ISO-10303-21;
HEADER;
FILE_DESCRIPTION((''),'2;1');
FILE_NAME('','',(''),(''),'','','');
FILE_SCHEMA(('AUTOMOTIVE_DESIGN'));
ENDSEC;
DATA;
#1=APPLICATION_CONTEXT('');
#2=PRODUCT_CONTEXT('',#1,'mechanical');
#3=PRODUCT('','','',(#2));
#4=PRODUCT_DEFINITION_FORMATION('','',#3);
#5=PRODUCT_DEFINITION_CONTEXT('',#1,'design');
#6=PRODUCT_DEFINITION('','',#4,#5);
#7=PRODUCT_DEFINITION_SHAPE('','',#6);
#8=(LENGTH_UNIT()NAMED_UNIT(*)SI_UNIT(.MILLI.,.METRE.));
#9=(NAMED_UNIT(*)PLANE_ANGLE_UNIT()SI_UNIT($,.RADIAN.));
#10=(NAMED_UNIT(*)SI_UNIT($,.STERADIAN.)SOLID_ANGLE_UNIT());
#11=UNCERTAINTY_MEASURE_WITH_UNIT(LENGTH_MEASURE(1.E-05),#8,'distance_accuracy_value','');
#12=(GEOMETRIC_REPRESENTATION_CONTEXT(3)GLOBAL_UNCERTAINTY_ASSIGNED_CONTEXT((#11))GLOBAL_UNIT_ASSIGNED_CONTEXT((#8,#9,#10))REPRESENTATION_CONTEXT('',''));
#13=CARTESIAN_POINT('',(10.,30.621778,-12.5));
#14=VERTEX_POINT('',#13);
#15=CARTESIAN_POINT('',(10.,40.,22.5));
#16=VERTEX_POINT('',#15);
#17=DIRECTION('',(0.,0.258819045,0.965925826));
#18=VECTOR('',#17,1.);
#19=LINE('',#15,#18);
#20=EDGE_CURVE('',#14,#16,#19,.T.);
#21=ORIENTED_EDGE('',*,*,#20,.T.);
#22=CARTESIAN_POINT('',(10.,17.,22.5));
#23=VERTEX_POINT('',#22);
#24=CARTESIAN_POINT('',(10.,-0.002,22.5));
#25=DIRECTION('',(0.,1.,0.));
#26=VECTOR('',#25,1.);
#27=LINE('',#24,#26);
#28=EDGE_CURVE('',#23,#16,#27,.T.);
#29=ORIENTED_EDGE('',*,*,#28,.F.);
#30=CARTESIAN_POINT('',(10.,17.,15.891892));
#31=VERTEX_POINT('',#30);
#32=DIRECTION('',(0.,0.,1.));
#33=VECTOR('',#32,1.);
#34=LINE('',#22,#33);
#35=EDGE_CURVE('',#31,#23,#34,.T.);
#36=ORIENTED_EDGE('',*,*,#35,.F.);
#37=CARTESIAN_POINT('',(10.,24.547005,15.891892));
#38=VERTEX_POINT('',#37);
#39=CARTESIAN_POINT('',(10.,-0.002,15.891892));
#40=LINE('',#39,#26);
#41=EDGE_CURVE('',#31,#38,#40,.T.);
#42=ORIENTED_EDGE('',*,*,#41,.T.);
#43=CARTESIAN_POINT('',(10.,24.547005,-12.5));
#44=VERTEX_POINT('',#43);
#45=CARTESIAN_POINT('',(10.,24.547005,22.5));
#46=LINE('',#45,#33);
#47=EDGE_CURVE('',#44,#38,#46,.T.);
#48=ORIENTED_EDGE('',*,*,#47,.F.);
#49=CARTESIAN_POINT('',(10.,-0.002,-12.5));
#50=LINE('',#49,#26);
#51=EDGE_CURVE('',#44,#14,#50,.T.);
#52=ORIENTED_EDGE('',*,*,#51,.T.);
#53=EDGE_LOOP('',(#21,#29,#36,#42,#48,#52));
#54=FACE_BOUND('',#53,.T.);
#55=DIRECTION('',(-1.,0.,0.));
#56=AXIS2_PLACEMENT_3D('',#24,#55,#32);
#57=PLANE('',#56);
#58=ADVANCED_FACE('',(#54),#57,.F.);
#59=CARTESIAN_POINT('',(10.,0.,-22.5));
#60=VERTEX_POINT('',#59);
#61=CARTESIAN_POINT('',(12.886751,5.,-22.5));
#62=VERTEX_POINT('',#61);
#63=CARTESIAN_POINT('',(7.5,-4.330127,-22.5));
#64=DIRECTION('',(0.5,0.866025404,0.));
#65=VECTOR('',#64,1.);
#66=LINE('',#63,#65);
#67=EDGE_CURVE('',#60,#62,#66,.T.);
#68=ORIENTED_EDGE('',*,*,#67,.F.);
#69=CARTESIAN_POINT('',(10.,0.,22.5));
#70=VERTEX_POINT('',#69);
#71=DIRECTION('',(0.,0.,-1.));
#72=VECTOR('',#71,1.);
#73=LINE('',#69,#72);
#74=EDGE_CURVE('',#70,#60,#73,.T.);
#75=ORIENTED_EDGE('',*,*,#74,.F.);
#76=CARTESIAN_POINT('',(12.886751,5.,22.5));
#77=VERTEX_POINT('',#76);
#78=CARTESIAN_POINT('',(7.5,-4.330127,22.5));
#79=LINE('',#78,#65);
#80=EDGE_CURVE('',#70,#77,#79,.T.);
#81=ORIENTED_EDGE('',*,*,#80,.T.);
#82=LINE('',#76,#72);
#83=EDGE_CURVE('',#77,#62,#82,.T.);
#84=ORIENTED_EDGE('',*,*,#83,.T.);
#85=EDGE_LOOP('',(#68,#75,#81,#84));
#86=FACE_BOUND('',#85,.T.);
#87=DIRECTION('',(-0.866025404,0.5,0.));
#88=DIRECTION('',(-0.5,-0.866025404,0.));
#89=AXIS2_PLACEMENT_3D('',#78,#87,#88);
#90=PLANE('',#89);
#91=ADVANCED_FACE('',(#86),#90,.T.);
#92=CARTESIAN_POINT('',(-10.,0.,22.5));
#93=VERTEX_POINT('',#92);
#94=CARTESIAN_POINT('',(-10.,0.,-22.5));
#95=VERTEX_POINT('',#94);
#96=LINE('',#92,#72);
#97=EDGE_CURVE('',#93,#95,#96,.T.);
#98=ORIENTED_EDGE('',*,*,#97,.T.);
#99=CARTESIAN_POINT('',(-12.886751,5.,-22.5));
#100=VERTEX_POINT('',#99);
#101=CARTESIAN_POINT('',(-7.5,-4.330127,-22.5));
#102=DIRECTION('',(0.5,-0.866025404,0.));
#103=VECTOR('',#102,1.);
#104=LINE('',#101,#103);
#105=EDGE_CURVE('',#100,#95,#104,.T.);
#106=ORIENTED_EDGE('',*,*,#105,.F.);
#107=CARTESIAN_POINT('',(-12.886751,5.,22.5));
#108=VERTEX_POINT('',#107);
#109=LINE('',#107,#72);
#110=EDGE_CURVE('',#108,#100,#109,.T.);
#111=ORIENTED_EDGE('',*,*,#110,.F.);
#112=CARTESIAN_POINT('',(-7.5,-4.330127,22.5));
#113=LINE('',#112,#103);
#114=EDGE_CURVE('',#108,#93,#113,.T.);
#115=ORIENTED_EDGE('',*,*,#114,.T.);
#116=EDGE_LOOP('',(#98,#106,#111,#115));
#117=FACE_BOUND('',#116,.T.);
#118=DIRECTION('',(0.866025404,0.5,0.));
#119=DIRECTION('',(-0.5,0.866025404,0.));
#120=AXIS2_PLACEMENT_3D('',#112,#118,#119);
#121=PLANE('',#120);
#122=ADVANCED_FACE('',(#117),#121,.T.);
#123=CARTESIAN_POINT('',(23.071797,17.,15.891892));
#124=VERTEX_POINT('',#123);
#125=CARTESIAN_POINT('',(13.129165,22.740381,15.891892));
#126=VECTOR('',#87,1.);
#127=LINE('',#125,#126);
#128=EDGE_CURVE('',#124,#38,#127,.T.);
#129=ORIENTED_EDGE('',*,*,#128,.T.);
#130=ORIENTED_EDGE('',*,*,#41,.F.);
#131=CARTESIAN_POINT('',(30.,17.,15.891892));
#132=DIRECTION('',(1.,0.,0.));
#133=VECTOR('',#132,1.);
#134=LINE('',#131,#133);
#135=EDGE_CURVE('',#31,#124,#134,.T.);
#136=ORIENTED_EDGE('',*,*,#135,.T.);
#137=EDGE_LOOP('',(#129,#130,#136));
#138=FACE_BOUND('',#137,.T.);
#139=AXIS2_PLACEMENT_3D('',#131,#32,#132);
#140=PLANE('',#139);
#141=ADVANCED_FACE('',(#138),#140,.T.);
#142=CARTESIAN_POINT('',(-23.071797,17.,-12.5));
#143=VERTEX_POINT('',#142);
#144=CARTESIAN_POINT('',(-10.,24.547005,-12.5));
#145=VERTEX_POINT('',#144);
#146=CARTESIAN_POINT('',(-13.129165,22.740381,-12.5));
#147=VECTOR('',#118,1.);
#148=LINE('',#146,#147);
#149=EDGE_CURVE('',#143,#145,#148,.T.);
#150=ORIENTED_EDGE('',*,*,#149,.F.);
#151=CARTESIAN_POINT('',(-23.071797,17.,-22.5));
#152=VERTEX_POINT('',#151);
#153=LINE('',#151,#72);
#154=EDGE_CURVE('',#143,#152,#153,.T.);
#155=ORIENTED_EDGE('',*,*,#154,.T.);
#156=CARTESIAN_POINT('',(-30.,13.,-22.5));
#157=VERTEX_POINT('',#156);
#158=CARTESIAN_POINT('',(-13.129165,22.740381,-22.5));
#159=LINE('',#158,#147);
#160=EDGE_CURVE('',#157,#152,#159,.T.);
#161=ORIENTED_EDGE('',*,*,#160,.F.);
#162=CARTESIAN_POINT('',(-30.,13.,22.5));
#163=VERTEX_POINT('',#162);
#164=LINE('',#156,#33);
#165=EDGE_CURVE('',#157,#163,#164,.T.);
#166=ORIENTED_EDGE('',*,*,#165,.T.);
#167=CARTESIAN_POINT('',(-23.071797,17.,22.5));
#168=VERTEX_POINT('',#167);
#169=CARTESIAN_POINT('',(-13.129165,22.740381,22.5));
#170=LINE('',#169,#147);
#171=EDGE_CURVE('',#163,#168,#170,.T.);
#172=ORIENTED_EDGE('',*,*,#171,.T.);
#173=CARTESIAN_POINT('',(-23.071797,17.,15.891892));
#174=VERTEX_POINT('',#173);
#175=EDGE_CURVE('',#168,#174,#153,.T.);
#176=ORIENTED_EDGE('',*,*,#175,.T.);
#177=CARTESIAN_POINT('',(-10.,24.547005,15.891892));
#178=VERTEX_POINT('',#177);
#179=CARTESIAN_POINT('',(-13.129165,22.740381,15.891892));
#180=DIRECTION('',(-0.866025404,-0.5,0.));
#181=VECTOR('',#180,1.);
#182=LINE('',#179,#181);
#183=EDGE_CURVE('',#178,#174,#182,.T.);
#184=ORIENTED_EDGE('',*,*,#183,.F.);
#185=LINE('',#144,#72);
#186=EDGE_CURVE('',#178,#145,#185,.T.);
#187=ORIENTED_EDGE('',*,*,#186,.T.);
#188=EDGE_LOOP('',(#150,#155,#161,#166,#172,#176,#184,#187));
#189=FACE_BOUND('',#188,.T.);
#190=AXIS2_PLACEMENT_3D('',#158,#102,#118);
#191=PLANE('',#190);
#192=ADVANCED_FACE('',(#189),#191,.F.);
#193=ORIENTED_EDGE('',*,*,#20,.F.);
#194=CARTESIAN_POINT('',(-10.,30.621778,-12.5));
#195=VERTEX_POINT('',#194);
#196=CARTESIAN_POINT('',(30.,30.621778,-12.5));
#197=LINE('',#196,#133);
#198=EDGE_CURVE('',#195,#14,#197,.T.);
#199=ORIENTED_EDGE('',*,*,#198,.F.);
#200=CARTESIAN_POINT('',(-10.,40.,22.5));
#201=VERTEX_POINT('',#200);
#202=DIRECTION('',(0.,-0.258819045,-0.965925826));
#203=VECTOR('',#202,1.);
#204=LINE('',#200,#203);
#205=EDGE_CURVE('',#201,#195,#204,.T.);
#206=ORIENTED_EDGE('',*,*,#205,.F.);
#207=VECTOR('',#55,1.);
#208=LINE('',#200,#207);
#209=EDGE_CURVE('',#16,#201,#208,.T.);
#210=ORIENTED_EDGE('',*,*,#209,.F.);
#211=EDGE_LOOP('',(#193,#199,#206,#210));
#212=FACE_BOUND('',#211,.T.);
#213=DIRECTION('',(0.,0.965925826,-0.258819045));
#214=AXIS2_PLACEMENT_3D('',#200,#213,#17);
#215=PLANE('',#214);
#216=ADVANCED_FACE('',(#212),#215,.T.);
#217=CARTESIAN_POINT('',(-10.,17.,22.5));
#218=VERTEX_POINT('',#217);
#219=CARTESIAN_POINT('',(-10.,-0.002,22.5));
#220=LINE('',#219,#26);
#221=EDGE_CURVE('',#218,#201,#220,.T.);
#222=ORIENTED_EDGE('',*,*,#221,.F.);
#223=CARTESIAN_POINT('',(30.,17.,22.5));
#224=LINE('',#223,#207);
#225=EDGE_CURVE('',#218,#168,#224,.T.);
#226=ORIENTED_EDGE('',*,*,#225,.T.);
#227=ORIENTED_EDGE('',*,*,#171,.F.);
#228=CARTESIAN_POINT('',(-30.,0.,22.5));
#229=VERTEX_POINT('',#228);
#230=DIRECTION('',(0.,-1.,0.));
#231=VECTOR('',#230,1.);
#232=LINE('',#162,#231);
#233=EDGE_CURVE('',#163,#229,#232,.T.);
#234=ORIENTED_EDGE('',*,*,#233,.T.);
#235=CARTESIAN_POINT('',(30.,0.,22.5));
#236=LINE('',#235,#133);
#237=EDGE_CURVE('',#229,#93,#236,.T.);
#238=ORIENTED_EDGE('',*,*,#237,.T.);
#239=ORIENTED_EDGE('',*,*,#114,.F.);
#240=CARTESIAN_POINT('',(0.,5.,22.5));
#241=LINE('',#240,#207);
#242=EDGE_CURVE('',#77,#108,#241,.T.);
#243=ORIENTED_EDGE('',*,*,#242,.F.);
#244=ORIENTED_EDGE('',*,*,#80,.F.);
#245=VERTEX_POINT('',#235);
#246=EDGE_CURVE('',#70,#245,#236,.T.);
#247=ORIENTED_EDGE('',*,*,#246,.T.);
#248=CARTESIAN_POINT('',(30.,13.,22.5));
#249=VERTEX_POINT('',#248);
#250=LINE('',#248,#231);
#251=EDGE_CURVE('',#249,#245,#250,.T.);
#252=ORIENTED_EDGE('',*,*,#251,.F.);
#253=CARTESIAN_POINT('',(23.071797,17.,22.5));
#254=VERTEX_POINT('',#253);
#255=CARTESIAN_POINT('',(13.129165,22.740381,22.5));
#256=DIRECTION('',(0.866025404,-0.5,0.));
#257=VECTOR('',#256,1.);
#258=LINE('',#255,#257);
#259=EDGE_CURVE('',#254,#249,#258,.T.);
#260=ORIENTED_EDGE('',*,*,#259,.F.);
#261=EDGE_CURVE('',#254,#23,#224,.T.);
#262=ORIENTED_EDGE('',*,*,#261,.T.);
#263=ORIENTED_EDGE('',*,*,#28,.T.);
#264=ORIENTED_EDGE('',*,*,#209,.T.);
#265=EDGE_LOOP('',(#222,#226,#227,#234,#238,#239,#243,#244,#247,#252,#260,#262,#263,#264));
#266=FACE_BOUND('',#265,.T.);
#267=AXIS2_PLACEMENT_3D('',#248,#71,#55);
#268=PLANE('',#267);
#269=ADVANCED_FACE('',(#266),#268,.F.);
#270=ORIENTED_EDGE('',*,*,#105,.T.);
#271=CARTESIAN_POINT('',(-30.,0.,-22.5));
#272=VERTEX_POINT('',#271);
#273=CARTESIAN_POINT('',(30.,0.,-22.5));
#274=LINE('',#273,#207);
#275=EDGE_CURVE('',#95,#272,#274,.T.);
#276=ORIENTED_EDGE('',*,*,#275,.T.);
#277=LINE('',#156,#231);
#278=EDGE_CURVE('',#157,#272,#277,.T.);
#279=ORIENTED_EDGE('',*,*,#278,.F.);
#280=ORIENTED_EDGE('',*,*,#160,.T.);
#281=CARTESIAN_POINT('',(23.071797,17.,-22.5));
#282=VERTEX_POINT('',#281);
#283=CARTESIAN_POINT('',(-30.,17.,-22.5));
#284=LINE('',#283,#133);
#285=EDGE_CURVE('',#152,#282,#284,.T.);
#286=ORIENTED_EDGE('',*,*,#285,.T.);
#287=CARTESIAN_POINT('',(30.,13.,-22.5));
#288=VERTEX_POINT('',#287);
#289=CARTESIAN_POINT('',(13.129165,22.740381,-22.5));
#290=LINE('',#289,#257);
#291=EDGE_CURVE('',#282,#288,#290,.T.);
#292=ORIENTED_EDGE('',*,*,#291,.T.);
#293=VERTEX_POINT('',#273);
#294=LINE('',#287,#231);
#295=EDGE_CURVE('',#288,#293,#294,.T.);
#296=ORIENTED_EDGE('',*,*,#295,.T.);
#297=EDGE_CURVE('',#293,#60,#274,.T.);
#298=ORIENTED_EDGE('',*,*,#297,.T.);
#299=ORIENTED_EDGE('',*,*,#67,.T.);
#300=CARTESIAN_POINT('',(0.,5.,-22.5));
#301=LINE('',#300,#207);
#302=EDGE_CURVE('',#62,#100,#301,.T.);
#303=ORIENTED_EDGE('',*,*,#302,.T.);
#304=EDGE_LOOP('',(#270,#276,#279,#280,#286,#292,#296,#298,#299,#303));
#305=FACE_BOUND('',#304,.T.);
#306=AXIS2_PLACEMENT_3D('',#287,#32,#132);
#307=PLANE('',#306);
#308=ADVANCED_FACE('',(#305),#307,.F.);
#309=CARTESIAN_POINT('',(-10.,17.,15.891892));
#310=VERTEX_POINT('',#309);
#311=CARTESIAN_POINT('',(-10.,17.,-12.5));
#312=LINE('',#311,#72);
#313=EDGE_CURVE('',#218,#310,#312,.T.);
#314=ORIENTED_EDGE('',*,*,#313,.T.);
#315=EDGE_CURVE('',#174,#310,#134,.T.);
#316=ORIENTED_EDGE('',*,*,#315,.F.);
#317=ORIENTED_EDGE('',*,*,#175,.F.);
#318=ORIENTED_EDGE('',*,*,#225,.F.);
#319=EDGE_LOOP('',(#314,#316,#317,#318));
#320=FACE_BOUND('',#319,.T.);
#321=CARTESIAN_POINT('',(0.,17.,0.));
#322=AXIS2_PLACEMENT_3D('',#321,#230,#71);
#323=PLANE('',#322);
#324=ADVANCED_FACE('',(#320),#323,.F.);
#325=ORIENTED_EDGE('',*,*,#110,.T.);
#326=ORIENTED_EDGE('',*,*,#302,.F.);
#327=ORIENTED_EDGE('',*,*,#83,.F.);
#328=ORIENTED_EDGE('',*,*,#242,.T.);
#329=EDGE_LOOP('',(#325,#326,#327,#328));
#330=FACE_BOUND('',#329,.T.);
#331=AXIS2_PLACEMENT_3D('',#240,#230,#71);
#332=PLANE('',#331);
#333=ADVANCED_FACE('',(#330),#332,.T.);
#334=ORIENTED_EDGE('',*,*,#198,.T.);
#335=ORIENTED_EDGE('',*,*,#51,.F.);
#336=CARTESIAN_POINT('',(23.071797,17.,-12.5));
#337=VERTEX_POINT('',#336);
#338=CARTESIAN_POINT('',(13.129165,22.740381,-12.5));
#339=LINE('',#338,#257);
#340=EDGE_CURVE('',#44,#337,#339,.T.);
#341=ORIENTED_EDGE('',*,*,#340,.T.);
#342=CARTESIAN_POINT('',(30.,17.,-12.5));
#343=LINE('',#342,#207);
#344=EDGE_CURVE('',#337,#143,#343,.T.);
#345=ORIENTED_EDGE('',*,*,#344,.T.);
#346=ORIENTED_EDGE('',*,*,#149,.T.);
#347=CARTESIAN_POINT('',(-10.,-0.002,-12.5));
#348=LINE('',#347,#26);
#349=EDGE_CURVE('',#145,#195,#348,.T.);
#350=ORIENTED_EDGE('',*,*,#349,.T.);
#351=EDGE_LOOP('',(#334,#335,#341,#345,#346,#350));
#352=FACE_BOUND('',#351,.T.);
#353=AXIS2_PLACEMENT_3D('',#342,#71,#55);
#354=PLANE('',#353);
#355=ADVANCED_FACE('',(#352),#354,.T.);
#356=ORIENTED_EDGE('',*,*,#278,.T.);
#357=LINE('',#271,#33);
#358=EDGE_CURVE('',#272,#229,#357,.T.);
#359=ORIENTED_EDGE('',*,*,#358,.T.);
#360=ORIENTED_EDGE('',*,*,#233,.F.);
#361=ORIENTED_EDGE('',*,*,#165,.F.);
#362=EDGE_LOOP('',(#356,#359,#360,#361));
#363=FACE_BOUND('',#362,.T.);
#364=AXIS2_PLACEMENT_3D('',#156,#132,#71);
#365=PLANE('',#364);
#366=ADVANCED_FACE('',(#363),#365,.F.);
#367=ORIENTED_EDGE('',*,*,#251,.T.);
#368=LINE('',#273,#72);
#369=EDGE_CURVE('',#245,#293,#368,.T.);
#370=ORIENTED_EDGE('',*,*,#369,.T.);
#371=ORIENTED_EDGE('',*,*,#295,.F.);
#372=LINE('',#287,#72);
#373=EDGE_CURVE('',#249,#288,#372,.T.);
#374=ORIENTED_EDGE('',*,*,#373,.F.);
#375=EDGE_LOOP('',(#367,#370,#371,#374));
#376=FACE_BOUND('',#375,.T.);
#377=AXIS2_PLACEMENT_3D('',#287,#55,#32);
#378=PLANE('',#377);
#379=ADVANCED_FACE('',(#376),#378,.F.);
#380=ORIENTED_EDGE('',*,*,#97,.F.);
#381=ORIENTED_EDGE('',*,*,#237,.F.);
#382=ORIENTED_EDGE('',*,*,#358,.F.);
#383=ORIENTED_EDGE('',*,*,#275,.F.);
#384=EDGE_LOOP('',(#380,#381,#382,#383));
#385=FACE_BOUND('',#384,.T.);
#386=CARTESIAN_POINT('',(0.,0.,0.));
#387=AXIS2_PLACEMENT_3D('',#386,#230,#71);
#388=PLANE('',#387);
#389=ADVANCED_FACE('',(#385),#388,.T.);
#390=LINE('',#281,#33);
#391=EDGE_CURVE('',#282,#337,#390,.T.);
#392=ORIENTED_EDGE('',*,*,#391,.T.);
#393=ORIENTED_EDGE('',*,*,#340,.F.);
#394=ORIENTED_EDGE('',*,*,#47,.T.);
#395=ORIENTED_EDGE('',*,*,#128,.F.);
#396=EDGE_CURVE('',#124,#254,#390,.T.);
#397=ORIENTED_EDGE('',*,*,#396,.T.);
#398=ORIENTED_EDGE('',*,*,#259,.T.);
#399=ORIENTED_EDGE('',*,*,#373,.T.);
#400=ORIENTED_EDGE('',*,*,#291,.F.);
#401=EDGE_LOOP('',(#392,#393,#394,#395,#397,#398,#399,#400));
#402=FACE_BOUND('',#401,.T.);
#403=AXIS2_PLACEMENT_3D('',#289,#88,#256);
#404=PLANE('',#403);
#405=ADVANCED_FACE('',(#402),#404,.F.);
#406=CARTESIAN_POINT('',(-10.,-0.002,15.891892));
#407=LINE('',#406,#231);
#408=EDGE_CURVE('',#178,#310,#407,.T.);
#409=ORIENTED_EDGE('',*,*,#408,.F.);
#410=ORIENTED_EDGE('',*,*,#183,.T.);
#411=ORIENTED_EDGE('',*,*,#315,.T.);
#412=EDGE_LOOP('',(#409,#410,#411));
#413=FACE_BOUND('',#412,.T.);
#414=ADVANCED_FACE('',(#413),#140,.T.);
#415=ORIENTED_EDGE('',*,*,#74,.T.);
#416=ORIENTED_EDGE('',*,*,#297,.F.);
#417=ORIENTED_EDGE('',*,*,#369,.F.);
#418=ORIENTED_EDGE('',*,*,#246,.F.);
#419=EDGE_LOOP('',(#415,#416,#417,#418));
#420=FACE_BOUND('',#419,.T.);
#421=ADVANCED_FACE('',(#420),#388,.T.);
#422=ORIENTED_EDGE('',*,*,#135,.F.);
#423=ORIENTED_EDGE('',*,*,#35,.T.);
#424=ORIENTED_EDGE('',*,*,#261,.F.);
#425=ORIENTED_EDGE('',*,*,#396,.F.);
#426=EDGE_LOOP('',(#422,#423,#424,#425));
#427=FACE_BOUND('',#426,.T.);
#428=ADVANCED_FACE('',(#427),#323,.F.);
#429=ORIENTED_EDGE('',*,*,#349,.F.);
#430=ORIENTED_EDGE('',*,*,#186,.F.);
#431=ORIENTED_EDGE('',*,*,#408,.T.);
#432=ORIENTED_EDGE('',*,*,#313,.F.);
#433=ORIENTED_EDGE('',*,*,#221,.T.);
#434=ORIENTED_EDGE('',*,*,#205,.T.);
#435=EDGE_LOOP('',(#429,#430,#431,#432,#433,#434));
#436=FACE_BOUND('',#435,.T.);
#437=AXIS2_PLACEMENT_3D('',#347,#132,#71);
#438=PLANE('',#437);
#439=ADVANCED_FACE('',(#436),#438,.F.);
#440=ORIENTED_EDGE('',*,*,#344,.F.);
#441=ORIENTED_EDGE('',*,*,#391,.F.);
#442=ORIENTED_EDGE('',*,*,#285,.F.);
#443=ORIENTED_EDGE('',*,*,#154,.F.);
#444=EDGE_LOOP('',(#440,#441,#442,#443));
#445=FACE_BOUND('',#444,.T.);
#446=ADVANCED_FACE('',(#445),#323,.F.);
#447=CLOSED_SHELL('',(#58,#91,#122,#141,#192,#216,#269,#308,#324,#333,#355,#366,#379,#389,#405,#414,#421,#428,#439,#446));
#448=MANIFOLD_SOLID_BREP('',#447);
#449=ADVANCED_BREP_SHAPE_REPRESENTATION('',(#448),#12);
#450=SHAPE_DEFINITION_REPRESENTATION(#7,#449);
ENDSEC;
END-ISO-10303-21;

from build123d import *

# Parameters (mm, degrees)
SKETCH2_W           = 60
SKETCH2_H           = 45
BOSS_EXTRUDE1_DEPTH = 13
BOSS_EXTRUDE2_DEPTH = 45
SKETCH11_W          = 60
SKETCH11_H          = 10
SKETCH11_H_2        = 6.608108108
CUT_EXTRUDE2_DEPTH  = 21
BOSS_EXTRUDE3_REACH = 42
SKETCH12_W          = 20
SKETCH12_H          = 35
DRAFT1_ANGLE        = -15
CUT_EXTRUDE3_DEPTH  = 46


with BuildPart() as part:
    # Sketch2 → Boss-Extrude1 (new body)
    with BuildSketch(Plane(origin=(0, 0, 0), x_dir=(1, 0, 0), z_dir=(0, 1, 0))):
        Rectangle(SKETCH2_W, SKETCH2_H)
    extrude(amount=BOSS_EXTRUDE1_DEPTH)

    # Sketch3 → Boss-Extrude2 (add)
    with BuildSketch(Plane.XY.offset(22.5)):
        Polygon((0, 30.320508076), (30, 13), (-30, 13), align=None)
    extrude(amount=-BOSS_EXTRUDE2_DEPTH)

    # Sketch11 → Cut-Extrude2 (cut)
    with BuildSketch(Plane(origin=(0, 38, 0), x_dir=(-1, 0, 0), z_dir=(0, -1, 0))):
        with Locations((0, 17.5)):
            Rectangle(SKETCH11_W, SKETCH11_H)
        with Locations((0, -19.195945946)):
            Rectangle(SKETCH11_W, SKETCH11_H_2)
    extrude(amount=CUT_EXTRUDE2_DEPTH, mode=Mode.SUBTRACT)

    # Sketch12 → Boss-Extrude3 (add, up to next)
    with BuildSketch(Plane(origin=(0, 40, 0), x_dir=(-1, 0, 0), z_dir=(0, -1, 0)), mode=Mode.PRIVATE) as boss_extrude3_sk1:
        with Locations((0, -5)):
            Rectangle(SKETCH12_W, SKETCH12_H)
    boss_extrude3_tool1 = extrude(boss_extrude3_sk1.sketch, amount=BOSS_EXTRUDE3_REACH, mode=Mode.PRIVATE) - part.part
    add(boss_extrude3_tool1.solids().sort_by_distance((0, 40, 5))[0])

    # Draft1
    draft1_faces = [part.faces().sort_by_distance(p)[0] for p in [
        (0, 40, 5),
    ]]
    draft(draft1_faces, Plane(origin=(30, 13, 22.5), x_dir=(1, 0, 0), z_dir=(0, 0, 1)), DRAFT1_ANGLE)

    # Sketch16 → Cut-Extrude3 (cut, through all)
    with BuildSketch(Plane(origin=(0, 0, -22.5), x_dir=(-1, 0, 0), z_dir=(0, 0, -1))):
        Polygon((-12.886751346, 5), (-10, 0), (10, 0), (12.886751346, 5), align=None)
    extrude(amount=-CUT_EXTRUDE3_DEPTH, mode=Mode.SUBTRACT)


solid = part.part
